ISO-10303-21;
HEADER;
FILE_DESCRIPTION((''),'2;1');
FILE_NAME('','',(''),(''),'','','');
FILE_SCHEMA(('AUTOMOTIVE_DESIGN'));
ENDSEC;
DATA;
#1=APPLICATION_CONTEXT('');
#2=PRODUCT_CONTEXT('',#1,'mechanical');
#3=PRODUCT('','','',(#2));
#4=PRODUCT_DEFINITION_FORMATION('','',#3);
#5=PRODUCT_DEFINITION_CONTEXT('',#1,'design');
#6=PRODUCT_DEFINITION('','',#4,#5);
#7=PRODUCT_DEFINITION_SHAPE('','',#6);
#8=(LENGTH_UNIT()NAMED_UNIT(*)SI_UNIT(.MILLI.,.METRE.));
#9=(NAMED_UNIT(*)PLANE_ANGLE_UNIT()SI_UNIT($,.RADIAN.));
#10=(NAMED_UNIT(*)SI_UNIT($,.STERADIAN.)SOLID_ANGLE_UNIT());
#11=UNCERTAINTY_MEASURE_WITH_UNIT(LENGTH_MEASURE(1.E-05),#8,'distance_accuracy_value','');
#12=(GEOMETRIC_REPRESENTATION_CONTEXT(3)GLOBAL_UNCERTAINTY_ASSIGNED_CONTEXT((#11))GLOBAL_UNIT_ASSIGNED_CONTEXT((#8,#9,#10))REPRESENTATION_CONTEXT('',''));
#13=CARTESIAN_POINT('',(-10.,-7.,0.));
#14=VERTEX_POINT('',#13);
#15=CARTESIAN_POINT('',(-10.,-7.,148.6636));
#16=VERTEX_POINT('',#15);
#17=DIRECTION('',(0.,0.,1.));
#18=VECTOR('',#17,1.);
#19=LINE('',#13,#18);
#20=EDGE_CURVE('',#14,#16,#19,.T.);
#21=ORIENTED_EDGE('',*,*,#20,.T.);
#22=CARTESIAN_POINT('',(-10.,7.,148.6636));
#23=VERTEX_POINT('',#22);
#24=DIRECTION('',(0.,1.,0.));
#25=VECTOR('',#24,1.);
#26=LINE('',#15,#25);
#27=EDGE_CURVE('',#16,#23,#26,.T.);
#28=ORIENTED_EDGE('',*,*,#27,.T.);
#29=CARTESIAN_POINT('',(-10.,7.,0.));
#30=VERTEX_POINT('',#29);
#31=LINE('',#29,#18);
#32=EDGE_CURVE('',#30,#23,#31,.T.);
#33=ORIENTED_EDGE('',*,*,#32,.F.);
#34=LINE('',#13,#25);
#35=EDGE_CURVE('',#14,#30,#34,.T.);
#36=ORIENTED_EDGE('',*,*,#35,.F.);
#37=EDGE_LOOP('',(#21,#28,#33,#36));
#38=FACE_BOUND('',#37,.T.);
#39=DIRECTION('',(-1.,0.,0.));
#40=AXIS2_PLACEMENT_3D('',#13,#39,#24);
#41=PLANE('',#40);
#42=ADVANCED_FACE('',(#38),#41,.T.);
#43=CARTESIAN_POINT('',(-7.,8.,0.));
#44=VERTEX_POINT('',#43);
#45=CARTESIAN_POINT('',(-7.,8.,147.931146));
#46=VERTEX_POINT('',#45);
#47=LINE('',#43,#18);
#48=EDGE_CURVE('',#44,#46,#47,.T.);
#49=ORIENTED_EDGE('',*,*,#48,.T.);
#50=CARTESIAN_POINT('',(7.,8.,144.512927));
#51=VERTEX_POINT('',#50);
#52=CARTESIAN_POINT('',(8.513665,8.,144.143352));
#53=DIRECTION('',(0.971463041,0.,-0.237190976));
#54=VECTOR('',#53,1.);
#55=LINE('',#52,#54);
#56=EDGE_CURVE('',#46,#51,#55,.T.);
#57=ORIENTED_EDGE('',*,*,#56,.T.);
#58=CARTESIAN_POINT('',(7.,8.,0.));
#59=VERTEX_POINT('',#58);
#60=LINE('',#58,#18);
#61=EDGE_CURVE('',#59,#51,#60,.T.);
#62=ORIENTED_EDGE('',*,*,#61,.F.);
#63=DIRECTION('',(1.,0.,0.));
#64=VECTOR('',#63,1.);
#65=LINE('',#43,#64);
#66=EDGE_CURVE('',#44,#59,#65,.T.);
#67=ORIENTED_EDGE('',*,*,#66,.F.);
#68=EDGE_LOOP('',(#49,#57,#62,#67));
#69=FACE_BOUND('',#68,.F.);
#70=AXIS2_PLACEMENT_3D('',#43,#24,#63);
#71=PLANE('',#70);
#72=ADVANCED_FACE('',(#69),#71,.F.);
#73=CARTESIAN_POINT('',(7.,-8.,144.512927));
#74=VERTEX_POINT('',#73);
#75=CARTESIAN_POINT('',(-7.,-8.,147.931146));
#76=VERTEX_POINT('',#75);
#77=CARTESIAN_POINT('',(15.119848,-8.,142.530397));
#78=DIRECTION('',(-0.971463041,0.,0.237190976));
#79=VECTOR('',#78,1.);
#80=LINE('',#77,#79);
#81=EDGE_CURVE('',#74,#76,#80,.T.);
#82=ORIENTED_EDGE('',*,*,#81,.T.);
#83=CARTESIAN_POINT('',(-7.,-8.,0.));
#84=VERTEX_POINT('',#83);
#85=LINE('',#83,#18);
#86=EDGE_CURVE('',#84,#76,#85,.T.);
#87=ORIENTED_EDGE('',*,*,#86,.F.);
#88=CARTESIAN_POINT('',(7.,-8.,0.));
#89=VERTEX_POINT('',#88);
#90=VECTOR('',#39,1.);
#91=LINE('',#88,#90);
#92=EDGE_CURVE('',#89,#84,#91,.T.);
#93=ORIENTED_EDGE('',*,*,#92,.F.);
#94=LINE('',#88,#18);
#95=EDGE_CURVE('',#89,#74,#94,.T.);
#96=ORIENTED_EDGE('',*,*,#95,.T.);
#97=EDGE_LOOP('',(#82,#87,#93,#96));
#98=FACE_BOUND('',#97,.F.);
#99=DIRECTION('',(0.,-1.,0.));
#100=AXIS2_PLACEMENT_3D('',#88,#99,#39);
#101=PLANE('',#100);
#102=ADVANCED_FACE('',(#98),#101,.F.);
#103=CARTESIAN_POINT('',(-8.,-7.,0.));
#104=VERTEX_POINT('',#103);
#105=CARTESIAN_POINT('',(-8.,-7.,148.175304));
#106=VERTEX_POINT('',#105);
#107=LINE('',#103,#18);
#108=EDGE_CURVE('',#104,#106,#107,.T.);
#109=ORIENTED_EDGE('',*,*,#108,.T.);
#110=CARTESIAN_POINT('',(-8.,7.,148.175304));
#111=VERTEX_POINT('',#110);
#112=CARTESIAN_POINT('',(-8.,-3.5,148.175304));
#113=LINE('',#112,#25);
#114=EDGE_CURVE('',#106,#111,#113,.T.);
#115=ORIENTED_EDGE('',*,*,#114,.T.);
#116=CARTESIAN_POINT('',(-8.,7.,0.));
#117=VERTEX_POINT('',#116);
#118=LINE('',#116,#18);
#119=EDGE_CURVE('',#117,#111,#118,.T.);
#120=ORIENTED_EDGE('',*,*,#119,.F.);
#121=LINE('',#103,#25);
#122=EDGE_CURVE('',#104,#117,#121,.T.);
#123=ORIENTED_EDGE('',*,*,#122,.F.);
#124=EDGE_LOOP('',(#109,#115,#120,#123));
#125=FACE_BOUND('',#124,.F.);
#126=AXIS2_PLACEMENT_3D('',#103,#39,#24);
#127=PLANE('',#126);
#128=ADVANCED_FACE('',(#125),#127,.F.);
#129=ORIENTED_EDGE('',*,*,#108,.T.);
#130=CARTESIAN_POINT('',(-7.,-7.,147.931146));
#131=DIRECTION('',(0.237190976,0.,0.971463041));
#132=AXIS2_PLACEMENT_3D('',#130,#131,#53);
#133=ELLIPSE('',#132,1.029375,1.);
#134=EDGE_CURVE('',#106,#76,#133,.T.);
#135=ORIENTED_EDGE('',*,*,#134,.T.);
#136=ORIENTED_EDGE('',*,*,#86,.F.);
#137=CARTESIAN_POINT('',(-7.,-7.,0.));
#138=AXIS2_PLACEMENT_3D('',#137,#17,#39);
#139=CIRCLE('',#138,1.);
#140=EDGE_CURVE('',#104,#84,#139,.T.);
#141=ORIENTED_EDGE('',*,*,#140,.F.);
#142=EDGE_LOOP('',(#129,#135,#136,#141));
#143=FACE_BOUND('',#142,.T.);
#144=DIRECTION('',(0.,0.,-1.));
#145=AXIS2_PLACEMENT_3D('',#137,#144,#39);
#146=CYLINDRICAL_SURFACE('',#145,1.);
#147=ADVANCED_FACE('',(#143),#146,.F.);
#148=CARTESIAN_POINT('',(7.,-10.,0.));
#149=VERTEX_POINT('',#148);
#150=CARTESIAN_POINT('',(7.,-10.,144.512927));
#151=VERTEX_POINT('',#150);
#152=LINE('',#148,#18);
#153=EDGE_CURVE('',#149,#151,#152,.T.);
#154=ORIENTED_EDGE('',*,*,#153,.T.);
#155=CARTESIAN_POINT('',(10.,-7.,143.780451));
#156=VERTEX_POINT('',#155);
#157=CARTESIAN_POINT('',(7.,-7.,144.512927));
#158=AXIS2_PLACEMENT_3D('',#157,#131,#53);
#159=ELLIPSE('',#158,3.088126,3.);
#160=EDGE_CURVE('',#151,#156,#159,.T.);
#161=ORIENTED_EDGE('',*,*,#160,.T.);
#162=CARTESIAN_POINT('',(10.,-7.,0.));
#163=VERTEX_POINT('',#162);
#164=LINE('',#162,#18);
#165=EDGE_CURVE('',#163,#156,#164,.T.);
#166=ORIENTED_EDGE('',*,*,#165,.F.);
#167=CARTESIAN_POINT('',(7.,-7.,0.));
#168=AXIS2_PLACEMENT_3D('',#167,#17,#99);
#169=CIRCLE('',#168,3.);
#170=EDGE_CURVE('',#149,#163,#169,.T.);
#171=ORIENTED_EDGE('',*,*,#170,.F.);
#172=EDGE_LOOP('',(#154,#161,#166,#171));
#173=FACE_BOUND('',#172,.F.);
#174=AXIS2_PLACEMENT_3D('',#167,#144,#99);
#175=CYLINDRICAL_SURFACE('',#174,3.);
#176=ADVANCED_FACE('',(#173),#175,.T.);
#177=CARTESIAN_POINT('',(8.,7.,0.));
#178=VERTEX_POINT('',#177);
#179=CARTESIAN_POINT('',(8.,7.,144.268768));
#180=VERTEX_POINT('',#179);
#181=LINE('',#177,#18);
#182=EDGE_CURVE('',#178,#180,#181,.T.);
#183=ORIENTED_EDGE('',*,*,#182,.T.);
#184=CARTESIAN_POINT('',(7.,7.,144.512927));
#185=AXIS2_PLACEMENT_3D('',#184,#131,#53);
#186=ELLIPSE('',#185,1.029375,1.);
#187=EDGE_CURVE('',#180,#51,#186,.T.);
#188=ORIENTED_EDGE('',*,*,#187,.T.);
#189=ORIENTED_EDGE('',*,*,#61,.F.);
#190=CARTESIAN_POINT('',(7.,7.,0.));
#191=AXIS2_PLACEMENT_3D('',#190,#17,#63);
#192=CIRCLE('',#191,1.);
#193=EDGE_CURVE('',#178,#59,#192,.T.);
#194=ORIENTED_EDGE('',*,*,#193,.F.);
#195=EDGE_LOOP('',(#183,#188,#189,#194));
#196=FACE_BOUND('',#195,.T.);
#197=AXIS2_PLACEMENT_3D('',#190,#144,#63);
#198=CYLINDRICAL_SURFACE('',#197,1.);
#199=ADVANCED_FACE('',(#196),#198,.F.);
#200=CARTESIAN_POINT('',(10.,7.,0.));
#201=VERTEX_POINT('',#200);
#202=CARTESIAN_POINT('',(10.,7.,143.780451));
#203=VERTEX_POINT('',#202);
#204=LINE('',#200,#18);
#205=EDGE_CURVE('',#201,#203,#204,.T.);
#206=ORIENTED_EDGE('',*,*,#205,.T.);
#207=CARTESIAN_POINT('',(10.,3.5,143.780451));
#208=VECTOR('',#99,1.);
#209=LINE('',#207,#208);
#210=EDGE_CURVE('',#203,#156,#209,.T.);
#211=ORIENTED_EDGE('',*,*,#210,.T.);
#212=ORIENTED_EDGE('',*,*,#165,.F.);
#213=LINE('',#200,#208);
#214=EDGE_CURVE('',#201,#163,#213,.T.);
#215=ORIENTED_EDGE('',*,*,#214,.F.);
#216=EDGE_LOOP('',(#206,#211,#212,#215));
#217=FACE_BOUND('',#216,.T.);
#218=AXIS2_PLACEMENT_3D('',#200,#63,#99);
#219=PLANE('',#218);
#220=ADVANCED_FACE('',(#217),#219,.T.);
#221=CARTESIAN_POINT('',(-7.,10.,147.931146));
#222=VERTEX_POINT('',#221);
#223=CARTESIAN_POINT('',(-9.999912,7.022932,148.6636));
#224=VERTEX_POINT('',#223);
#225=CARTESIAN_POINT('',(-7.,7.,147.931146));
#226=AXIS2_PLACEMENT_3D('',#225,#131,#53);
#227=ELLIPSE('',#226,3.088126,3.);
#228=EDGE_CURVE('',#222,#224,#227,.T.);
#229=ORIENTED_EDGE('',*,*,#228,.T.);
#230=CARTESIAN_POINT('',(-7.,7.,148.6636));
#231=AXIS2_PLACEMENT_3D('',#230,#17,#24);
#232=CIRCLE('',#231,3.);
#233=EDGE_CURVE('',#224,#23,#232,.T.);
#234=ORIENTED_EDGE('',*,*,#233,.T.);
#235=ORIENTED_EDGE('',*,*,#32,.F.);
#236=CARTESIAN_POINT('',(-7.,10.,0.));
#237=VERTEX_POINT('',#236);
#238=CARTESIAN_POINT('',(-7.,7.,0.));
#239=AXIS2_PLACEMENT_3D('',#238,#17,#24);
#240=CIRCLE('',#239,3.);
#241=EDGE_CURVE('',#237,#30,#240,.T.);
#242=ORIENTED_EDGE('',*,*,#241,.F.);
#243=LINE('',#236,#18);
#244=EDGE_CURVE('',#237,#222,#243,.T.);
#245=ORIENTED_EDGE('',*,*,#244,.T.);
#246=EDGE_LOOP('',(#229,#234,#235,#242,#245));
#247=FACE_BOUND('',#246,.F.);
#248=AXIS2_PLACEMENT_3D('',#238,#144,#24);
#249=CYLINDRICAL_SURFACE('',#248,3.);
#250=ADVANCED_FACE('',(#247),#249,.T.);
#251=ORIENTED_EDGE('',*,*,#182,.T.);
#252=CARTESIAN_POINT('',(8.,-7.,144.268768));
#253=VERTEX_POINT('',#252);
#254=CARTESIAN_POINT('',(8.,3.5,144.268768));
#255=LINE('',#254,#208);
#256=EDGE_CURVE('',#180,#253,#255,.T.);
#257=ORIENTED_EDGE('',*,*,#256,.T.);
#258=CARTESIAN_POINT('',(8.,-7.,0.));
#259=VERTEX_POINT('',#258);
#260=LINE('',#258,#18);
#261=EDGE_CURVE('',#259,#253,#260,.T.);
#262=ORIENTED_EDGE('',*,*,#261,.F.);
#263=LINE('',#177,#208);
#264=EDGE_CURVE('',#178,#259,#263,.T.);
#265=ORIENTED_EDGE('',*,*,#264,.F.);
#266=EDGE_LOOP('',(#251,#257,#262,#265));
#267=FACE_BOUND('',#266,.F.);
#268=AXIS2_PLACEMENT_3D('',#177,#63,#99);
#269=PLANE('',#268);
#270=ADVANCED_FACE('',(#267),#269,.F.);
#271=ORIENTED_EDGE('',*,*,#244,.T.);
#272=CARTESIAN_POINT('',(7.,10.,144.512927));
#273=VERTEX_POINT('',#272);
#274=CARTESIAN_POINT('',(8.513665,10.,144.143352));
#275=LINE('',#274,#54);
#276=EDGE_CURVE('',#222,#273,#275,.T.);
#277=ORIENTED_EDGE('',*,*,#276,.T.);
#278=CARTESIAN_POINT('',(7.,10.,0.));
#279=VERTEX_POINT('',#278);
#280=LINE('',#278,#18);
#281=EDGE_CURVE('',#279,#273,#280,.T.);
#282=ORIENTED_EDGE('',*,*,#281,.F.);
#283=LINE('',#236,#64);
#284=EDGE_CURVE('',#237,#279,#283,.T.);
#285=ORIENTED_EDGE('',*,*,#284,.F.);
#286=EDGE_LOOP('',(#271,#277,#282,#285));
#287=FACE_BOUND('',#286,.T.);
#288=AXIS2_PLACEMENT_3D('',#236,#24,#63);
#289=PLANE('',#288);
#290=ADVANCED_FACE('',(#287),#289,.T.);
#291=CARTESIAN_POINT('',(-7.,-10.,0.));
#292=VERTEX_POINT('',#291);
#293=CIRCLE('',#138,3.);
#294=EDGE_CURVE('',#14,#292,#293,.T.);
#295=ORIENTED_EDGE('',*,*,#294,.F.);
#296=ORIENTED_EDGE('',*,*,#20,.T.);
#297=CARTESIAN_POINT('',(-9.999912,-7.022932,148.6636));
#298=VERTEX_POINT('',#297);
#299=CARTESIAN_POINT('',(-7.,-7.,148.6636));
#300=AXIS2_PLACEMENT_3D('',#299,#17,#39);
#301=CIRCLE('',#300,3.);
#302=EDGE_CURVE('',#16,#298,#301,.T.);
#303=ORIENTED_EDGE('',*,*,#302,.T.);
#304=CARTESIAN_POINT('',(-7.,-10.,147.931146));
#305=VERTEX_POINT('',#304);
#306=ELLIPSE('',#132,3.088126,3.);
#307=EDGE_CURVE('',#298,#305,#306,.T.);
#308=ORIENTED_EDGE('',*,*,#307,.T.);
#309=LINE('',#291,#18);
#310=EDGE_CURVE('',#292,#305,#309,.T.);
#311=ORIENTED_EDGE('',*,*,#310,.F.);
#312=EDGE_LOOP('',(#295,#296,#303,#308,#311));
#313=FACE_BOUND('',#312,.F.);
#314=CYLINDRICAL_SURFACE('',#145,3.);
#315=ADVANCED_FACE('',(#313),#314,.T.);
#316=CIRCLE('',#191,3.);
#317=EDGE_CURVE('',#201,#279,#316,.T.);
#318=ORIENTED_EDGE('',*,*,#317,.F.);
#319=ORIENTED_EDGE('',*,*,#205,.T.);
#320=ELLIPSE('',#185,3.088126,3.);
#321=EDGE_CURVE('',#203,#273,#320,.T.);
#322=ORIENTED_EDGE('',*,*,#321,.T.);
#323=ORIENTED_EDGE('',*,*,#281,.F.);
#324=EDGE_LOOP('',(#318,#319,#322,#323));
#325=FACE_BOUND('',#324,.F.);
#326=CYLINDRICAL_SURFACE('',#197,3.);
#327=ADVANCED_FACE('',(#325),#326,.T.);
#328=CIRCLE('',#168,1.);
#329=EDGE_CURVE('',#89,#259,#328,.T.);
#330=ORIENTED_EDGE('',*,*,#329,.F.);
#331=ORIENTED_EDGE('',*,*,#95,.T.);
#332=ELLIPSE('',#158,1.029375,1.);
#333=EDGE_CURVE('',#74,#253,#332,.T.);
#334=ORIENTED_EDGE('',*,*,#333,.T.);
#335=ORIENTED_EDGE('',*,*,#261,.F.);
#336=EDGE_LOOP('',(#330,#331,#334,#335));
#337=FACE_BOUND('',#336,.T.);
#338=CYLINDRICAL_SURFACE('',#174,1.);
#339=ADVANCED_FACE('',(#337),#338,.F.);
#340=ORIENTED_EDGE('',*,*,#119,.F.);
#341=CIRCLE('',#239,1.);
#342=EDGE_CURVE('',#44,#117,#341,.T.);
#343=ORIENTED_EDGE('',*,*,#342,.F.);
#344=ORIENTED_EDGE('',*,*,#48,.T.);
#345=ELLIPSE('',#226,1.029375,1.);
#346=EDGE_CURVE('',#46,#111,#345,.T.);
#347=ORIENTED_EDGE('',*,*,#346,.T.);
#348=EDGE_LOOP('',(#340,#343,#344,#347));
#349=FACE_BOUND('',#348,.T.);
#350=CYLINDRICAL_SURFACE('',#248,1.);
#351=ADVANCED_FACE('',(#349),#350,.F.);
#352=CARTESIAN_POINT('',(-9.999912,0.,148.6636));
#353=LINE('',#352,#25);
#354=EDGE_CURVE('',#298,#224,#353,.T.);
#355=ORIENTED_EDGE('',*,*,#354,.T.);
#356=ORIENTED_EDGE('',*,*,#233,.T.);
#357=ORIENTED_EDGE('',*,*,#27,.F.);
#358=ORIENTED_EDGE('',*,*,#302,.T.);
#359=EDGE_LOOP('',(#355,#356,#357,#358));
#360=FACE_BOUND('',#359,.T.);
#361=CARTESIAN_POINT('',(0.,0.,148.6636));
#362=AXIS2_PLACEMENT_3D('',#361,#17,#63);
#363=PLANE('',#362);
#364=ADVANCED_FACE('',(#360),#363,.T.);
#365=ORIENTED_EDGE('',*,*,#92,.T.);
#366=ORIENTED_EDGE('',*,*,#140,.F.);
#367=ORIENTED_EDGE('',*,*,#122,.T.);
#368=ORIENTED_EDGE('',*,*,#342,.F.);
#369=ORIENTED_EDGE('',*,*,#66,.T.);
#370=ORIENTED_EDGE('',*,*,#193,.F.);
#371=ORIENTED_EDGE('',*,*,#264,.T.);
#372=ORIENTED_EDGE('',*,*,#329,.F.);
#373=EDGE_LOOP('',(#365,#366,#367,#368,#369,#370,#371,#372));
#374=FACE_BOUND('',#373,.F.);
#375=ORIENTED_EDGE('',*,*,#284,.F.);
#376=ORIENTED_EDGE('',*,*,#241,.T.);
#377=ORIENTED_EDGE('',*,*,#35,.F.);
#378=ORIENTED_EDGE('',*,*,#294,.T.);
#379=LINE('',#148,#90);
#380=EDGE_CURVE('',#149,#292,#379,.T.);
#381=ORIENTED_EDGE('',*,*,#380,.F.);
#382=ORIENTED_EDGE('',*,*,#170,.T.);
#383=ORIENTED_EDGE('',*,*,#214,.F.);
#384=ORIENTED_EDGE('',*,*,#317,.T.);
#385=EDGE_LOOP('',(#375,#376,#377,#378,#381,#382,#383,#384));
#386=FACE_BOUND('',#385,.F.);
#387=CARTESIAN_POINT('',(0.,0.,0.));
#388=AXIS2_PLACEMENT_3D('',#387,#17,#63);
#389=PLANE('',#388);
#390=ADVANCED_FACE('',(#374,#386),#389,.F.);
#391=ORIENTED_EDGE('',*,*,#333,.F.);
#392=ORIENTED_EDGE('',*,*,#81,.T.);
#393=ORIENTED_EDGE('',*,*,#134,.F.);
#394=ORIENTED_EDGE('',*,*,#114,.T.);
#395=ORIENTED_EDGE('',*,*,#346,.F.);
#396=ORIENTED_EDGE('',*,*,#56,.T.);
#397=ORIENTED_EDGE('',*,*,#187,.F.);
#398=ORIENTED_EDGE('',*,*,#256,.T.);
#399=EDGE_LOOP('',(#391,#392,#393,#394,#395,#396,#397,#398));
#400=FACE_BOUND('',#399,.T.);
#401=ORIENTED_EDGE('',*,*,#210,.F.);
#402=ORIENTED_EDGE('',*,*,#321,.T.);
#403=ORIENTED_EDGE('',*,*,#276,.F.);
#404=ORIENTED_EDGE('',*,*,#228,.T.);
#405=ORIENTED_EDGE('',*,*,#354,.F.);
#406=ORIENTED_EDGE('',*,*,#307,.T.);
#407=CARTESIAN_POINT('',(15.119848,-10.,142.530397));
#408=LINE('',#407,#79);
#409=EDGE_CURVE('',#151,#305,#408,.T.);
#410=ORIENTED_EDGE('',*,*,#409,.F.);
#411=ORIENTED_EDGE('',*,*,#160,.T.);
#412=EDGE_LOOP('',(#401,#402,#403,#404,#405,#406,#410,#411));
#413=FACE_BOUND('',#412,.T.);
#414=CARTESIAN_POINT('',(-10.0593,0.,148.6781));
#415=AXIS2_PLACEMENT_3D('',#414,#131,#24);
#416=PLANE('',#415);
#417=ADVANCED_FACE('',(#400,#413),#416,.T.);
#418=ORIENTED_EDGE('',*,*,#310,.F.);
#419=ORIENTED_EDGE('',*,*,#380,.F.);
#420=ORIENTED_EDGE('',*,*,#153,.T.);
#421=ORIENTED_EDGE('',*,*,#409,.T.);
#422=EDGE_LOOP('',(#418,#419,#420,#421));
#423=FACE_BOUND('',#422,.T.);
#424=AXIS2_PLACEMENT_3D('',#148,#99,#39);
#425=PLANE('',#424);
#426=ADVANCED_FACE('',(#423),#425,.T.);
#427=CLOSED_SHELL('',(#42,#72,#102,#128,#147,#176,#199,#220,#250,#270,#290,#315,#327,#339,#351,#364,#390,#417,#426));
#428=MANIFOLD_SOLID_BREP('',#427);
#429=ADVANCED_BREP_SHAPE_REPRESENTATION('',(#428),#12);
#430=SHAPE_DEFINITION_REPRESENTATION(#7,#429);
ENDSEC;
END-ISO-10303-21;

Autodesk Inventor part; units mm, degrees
ref_plane "Start Plane" through (0, 0, 0) normal (0, 0, 1) x (1, 0, 0)
ref_plane "End Plane" through (0, 0, 148.6636) normal (0, 0, 1) x (1, 0, 0)
sketch "Sketch" plane through (0, 0, 0) normal (0, 0, 1) x (1, 0, 0)
  line L0 (-10, -7) -> (-10, 7)
  line L1 (-7, 10) -> (7, 10)
  line L2 (10, 7) -> (10, -7)
  line L3 (7, -10) -> (-7, -10)
  arc A0 (-10, -7) -> (-7, -10) centre (-7, -7) ccw
  arc A1 (-7, 10) -> (-10, 7) centre (-7, 7) ccw
  arc A2 (10, 7) -> (7, 10) centre (7, 7) ccw
  arc A3 (7, -10) -> (10, -7) centre (7, -7) ccw
  arc A4 (-7, 8) -> (-8, 7) centre (-7, 7) ccw
  line L4 (-7, 8) -> (7, 8)
  arc A5 (8, 7) -> (7, 8) centre (7, 7) ccw
  line L5 (8, 7) -> (8, -7)
  arc A6 (7, -8) -> (8, -7) centre (7, -7) ccw
  line L6 (7, -8) -> (-7, -8)
  arc A7 (-8, -7) -> (-7, -8) centre (-7, -7) ccw
  line L7 (-8, -7) -> (-8, 7)
  line L8 (0, 14.8698) -> (0, -14.8698) construction
  line L9 (-14.8698, 0) -> (14.8698, 0) construction
  dimension "d7" = 3
  dimension "d10" = 20
  dimension "d11" = 20
  dimension "d12" = 2
  dimension "d15" = 10
  dimension "d16" = 10
extrude "Body" add sketch "Sketch" along normal up to surface (148.6636 mm away) from surface at 0
sketch "Sketch3" plane through (0, 0, 0) normal (0, 0, 1) x (1, 0, 0)
  line L0 (0, 0) -> (10, 0)
ref_plane "Work Plane3" through (0, 0, 0) normal (0, -1, 0) x (1, 0, 0)
sketch "Sketch4" plane through (0, 0, 0) normal (0, -1, 0) x (1, 0, 0)
  line L0 (-2, 0) -> (12, 0)
  line L1 (-2, 148.6636) -> (12, 148.6636)
  dimension "d18" = 148.6636
ref_plane "Work Plane4" through (-10.0593, 0, 148.6781) normal (0.2372, 0, 0.9715) x (0.9715, 0, -0.2372)
split "Split1" plane through (-10.0593, 0, 148.6781) removes the side toward (0.2372, 0, 0.9715)
equation "\"d7\" = G_IR"
equation "\"d10\" = G_H"
equation "\"d11\" = G_W"
equation "\"d12\" = G_T"
equation "\"d15\" = 0.5 * d10"
equation "\"d16\" = 0.5 * d11"
equation "\"d3\" = G_L"
equation "\"G_W\" = 20"
equation "\"G_H\" = 20"
equation "\"G_T\" = 2"
equation "\"G_IR\" = 3"
equation "\"G_L\" = d18"
equation "\"G_OFFSET_START\" = 0"
equation "\"G_OFFSET_END\" = 2.18407"
equation "\"d14\" = G_OFFSET_END + B_L"
equation "\"B_L\" = 146.47952"
properties part number "ISO 12633-2 - 20x20x2 - 148.66" material "Steel, Mild"
